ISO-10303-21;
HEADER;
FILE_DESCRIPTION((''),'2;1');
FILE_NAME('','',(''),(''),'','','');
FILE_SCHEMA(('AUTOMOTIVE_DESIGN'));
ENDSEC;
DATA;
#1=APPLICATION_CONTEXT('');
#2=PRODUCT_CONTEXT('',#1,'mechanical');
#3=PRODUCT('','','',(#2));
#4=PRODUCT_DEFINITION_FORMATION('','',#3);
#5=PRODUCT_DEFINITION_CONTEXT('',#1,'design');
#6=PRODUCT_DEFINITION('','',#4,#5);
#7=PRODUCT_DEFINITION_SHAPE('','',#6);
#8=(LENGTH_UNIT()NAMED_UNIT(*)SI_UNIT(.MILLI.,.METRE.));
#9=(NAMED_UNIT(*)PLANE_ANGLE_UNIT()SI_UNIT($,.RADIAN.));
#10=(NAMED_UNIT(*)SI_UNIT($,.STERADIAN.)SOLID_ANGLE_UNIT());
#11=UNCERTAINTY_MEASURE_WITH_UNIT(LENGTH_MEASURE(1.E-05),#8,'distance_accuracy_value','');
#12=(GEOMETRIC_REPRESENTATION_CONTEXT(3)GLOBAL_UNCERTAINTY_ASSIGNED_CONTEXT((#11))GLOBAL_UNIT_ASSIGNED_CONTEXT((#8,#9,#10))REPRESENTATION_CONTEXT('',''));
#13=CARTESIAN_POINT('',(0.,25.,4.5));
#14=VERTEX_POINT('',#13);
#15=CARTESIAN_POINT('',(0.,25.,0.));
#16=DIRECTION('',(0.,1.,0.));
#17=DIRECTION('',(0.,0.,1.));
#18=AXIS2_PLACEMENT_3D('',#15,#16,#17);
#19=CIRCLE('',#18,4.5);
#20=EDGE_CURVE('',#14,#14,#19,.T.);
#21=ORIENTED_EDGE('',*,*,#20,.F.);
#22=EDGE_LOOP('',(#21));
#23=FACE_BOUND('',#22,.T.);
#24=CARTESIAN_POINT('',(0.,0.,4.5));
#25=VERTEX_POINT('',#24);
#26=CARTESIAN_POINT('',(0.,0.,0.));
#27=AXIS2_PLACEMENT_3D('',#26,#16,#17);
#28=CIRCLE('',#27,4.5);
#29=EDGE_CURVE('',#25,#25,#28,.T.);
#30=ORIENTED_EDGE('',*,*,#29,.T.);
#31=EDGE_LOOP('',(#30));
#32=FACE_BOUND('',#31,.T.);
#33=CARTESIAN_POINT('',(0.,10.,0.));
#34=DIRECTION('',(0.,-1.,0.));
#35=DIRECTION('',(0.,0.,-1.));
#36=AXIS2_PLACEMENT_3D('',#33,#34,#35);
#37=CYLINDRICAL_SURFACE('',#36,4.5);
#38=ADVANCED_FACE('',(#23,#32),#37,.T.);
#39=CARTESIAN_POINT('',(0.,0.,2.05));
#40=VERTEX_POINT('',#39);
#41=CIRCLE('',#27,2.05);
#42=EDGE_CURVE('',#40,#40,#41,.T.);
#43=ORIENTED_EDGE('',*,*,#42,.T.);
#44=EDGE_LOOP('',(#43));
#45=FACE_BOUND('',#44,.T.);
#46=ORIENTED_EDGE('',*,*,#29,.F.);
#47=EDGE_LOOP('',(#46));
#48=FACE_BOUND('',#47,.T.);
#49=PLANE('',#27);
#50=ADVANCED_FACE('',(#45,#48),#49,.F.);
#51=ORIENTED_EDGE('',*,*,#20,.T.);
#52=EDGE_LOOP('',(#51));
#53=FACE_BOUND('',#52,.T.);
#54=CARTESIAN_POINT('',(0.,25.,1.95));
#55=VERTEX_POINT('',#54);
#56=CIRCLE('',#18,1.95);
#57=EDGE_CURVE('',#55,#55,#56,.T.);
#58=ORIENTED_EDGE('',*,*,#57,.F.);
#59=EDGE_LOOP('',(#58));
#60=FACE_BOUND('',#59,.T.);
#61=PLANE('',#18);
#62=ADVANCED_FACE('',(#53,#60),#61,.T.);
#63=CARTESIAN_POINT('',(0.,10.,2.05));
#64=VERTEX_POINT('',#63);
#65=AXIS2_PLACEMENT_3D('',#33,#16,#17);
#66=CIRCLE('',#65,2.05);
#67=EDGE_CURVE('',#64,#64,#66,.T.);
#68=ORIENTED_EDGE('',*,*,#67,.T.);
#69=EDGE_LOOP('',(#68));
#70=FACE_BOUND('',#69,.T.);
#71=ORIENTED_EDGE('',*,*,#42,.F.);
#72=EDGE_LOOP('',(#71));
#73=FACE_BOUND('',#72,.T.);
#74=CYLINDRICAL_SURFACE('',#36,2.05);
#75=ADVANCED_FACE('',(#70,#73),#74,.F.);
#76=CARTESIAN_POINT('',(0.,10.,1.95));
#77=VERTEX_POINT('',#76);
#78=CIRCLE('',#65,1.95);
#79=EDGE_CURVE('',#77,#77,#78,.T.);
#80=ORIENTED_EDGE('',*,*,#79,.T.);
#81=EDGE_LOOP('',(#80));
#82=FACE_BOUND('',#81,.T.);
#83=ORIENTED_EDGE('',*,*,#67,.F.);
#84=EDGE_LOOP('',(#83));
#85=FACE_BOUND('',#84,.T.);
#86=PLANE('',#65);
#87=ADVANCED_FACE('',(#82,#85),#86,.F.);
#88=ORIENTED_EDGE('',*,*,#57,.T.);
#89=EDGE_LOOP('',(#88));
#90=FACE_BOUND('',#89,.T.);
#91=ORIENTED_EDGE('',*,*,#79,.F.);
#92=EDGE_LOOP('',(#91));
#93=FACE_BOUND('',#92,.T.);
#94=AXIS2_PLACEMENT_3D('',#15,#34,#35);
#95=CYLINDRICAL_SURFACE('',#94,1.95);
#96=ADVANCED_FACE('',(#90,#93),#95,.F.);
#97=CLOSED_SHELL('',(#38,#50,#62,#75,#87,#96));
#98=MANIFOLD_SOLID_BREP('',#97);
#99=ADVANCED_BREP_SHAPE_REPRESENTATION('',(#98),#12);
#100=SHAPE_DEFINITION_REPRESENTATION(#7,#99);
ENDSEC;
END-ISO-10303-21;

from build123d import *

# Parameters (mm, degrees)
SKETCH1_R           = 4.5
SKETCH1_R_2         = 2.05
BOSS_EXTRUDE1_DEPTH = 10
SKETCH3_R           = 4.5
SKETCH3_R_2         = 1.95
BOSS_EXTRUDE3_DEPTH = 15


with BuildPart() as part:
    # Sketch1 → Boss-Extrude1 (new body)
    with BuildSketch(Plane(origin=(0, 0, 0), x_dir=(1, 0, 0), z_dir=(0, 1, 0))):
        with Locations(Location((0, 0, 0), (0, 0, 270))):
            Circle(SKETCH1_R)
        with Locations(Location((0, 0, 0), (0, 0, 270))):
            Circle(SKETCH1_R_2, mode=Mode.SUBTRACT)
    extrude(amount=BOSS_EXTRUDE1_DEPTH)

    # Sketch3 → Boss-Extrude3 (add)
    with BuildSketch(Plane(origin=(0, 10, 0), x_dir=(1, 0, 0), z_dir=(0, 1, 0))):
        with Locations(Location((0, 0, 0), (0, 0, 270))):
            Circle(SKETCH3_R)
        with Locations(Location((0, 0, 0), (0, 0, 270))):
            Circle(SKETCH3_R_2, mode=Mode.SUBTRACT)
    extrude(amount=BOSS_EXTRUDE3_DEPTH)


solid = part.part
